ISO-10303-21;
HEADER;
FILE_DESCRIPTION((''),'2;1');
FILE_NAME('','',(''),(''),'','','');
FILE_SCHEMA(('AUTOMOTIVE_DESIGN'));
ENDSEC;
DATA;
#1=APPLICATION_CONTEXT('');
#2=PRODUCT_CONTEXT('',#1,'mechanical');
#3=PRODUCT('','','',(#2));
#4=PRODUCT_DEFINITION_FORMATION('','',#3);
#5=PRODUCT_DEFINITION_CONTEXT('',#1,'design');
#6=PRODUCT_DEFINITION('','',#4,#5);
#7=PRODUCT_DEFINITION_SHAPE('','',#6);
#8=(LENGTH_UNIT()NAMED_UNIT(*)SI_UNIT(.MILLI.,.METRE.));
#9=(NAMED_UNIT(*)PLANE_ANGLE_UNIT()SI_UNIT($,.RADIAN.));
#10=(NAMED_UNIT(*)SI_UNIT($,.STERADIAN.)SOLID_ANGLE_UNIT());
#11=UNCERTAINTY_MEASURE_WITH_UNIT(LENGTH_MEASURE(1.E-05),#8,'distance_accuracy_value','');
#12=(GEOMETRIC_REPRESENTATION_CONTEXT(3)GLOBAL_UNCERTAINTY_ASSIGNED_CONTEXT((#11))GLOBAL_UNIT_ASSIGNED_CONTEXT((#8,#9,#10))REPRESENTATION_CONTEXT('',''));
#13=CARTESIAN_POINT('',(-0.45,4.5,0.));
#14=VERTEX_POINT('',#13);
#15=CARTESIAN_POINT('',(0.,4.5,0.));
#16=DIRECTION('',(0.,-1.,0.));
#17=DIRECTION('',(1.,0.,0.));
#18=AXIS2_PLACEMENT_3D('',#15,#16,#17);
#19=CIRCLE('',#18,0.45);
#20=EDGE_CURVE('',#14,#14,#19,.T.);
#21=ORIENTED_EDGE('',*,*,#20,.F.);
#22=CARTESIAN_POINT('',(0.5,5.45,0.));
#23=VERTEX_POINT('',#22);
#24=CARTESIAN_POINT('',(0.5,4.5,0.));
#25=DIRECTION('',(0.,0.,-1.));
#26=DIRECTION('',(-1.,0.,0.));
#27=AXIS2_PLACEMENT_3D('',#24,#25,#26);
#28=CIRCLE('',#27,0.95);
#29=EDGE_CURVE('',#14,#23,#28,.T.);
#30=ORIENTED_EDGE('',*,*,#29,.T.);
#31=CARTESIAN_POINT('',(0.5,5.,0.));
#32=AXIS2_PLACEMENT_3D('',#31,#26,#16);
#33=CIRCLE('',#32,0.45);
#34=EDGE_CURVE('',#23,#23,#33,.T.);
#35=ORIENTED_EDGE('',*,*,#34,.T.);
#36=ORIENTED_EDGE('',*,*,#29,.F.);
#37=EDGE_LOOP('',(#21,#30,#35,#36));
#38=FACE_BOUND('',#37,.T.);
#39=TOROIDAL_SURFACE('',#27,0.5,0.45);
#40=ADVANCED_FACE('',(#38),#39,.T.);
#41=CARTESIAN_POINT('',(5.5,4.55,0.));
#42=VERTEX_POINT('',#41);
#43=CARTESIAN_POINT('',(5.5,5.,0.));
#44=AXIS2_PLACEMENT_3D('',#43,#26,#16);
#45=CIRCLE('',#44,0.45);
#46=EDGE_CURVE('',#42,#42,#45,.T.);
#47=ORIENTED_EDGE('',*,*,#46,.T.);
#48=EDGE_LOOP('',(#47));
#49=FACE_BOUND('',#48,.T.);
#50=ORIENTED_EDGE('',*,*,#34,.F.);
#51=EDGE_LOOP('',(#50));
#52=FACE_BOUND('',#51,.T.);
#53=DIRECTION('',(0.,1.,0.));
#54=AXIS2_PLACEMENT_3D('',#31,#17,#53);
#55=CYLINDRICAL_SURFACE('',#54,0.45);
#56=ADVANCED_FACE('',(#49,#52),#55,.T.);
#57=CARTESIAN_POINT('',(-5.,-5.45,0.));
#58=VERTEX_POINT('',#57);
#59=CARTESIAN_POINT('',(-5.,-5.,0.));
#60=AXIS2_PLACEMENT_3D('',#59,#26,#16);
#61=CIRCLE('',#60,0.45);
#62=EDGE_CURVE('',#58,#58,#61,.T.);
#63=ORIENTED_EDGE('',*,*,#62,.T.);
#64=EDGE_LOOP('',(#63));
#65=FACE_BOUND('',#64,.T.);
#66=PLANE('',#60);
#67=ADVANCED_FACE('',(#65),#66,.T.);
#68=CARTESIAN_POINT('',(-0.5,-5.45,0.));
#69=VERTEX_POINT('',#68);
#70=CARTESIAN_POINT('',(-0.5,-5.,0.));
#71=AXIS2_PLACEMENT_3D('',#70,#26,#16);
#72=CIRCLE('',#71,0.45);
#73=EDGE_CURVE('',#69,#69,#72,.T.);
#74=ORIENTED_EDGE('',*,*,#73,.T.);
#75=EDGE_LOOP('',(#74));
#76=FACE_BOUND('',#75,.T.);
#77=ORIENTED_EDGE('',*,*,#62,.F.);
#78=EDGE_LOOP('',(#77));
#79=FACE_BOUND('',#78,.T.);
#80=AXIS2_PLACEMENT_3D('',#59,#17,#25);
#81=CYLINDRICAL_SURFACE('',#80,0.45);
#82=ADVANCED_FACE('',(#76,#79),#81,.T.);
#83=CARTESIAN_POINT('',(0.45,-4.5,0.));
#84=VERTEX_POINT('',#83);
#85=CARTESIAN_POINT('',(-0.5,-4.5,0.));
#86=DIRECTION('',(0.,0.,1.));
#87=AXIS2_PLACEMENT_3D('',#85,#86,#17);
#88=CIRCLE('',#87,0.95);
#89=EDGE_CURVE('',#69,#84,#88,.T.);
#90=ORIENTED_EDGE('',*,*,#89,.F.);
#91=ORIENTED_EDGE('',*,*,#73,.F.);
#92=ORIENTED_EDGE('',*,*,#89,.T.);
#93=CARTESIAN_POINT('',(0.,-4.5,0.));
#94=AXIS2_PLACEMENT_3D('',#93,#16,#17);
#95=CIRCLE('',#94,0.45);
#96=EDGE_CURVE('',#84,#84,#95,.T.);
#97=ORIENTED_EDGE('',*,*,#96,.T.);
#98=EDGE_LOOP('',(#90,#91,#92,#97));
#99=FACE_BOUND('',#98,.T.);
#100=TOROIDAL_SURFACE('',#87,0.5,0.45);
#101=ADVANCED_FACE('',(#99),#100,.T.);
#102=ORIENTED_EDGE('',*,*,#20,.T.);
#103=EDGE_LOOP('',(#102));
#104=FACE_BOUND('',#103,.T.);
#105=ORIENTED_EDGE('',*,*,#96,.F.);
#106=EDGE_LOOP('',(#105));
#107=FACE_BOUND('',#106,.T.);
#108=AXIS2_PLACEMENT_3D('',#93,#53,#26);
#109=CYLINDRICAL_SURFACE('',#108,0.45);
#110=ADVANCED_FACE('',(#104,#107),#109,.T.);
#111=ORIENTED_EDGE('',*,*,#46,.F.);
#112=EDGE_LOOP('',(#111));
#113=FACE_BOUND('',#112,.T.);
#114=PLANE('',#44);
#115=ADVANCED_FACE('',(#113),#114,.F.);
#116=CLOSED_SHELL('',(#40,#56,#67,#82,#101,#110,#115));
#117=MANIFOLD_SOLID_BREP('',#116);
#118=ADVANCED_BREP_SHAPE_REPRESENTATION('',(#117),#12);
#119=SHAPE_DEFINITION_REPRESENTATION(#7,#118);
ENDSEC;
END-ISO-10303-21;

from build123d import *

# Parameters (mm, degrees)
SWEEP1_PROFILE_R = 0.45


with BuildPart() as part:
    # Sweep1: sweep along a path in Sketch1
    with BuildLine(Plane.XY) as sweep1_path:
        Line((-5, -5), (-0.5, -5))
        ThreePointArc((-0.5, -5), (-0.146446609, -4.853553391), (0, -4.5))
        Line((0, -4.5), (0, 4.5))
        ThreePointArc((0, 4.5), (0.146446609, 4.853553391), (0.5, 5))
        Line((0.5, 5), (5.5, 5))
    # Sweep1 profile (on start of the path) → Sweep1 (sweep)
    with BuildSketch(Plane(origin=(-5, -5, 0), x_dir=(0, 0, 1), z_dir=(1, 0, 0))):
        Circle(SWEEP1_PROFILE_R)
    sweep(path=sweep1_path.line)


solid = part.part
